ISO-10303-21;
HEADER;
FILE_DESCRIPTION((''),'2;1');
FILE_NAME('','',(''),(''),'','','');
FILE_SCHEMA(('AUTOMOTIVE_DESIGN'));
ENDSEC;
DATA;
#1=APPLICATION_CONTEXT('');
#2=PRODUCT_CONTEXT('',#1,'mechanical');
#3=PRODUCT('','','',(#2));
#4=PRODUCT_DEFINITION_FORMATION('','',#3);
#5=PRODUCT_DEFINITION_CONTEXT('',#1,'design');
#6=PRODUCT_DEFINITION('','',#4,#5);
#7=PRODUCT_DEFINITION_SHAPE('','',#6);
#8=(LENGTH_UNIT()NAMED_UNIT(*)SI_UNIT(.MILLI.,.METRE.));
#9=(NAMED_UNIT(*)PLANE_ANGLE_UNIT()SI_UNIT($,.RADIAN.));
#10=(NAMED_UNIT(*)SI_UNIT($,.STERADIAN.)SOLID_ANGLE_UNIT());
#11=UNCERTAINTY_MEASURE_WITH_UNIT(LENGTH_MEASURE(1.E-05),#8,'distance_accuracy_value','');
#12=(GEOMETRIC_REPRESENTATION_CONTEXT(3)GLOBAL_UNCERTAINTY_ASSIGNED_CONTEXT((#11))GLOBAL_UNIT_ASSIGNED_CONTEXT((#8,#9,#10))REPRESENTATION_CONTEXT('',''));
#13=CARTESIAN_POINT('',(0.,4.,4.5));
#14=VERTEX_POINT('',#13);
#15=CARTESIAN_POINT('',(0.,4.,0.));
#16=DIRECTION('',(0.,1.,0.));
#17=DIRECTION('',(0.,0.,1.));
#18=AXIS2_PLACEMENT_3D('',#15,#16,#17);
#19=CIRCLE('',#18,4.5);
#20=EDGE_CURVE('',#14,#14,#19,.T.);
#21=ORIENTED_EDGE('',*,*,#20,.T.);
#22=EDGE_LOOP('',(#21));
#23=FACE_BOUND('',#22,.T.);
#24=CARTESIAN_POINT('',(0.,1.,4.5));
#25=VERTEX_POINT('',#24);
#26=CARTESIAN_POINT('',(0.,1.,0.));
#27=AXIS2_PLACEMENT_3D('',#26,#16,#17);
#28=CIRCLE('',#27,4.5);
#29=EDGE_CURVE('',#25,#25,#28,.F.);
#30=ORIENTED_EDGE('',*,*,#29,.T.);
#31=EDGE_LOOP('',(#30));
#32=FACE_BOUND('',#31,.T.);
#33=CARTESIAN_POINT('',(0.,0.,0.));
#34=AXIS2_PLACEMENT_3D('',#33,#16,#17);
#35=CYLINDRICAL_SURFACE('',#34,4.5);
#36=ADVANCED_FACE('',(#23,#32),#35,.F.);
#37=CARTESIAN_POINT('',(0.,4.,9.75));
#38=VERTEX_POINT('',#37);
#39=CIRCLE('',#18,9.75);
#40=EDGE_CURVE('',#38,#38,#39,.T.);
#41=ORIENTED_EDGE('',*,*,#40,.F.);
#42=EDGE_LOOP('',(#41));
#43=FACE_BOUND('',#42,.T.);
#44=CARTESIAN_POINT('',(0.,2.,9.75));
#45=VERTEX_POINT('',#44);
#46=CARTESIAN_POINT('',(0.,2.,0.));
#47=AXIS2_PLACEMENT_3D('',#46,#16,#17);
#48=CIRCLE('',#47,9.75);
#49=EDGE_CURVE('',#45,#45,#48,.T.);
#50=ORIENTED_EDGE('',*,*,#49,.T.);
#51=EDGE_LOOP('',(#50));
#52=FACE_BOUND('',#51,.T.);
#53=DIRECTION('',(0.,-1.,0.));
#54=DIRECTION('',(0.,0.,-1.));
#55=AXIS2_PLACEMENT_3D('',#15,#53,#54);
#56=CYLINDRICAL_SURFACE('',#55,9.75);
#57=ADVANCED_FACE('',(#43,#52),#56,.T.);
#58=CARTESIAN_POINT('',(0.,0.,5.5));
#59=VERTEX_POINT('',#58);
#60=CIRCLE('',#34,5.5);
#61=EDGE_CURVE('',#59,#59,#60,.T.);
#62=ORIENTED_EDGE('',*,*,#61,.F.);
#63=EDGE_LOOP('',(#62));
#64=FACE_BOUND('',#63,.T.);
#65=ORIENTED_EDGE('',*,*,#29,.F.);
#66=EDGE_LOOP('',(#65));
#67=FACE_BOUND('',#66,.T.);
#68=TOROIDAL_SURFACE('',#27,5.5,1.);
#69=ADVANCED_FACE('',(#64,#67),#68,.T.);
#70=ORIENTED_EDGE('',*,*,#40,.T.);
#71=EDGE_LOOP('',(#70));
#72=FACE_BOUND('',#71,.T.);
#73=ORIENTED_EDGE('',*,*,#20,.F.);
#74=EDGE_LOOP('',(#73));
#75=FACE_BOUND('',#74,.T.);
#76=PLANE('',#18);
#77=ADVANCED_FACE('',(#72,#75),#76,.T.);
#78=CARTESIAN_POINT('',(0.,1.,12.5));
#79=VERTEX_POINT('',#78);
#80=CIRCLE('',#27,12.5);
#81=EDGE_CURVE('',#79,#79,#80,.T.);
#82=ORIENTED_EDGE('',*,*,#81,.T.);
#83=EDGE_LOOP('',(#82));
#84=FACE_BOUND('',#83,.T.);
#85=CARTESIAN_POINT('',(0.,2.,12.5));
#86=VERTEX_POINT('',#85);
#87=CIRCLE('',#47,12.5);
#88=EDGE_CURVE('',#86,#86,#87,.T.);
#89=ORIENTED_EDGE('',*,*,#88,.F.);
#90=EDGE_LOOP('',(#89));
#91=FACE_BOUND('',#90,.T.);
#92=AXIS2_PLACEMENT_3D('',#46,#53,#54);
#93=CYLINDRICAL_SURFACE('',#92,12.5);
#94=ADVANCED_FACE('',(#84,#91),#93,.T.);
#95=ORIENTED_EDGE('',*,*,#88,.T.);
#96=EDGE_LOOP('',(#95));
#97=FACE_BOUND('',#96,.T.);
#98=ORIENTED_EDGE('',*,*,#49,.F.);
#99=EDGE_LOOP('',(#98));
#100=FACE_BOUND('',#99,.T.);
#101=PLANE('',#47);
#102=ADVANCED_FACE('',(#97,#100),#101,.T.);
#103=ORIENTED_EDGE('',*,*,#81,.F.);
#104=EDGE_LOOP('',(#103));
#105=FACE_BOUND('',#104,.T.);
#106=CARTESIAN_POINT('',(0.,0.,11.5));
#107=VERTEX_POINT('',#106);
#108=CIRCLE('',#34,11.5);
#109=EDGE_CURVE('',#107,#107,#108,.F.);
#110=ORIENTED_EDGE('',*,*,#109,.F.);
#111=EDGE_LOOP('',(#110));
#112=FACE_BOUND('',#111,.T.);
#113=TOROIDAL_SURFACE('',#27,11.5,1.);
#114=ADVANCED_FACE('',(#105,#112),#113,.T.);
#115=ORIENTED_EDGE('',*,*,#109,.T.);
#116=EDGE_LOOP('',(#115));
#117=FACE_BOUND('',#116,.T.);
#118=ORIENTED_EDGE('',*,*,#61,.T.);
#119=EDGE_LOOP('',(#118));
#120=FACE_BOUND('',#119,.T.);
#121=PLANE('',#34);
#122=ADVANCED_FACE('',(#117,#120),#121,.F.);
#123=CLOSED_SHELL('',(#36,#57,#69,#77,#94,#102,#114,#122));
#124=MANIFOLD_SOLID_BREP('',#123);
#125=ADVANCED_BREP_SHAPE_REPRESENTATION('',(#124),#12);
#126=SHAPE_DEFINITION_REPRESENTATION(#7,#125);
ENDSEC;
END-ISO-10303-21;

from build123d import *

# Parameters (mm, degrees)
SKETCH1_R           = 12.5
BOSS_EXTRUDE1_DEPTH = 2
SKETCH2_R           = 9.75
BOSS_EXTRUDE2_DEPTH = 2
SKETCH3_R           = 4.5
CUT_EXTRUDE1_DEPTH  = 19.12456896
FILLET1_R           = 1


with BuildPart() as part:
    # Sketch1 → Boss-Extrude1 (new body)
    with BuildSketch(Plane(origin=(0, 0, 0), x_dir=(1, 0, 0), z_dir=(0, 1, 0))):
        with Locations(Location((0, 0, 0), (0, 0, 270))):
            Circle(SKETCH1_R)
    extrude(amount=BOSS_EXTRUDE1_DEPTH)

    # Sketch2 → Boss-Extrude2 (add)
    with BuildSketch(Plane(origin=(0, 2, 0), x_dir=(1, 0, 0), z_dir=(0, 1, 0))):
        with Locations(Location((0, 0, 0), (0, 0, 270))):
            Circle(SKETCH2_R)
    extrude(amount=BOSS_EXTRUDE2_DEPTH)

    # Sketch3 → Cut-Extrude1 (cut, through all)
    with BuildSketch(Plane(origin=(0, 4, 0), x_dir=(1, 0, 0), z_dir=(0, 1, 0))):
        with Locations(Location((0, 0, 0), (0, 0, 270))):
            Circle(SKETCH3_R)
    extrude(amount=-CUT_EXTRUDE1_DEPTH, mode=Mode.SUBTRACT)

    # Fillet1
    fillet1_edges = [part.edges().sort_by_distance(p)[0] for p in [
        (0, 0, -4.5),
        (0, 0, -12.5),
    ]]
    fillet(fillet1_edges, radius=FILLET1_R)


solid = part.part
